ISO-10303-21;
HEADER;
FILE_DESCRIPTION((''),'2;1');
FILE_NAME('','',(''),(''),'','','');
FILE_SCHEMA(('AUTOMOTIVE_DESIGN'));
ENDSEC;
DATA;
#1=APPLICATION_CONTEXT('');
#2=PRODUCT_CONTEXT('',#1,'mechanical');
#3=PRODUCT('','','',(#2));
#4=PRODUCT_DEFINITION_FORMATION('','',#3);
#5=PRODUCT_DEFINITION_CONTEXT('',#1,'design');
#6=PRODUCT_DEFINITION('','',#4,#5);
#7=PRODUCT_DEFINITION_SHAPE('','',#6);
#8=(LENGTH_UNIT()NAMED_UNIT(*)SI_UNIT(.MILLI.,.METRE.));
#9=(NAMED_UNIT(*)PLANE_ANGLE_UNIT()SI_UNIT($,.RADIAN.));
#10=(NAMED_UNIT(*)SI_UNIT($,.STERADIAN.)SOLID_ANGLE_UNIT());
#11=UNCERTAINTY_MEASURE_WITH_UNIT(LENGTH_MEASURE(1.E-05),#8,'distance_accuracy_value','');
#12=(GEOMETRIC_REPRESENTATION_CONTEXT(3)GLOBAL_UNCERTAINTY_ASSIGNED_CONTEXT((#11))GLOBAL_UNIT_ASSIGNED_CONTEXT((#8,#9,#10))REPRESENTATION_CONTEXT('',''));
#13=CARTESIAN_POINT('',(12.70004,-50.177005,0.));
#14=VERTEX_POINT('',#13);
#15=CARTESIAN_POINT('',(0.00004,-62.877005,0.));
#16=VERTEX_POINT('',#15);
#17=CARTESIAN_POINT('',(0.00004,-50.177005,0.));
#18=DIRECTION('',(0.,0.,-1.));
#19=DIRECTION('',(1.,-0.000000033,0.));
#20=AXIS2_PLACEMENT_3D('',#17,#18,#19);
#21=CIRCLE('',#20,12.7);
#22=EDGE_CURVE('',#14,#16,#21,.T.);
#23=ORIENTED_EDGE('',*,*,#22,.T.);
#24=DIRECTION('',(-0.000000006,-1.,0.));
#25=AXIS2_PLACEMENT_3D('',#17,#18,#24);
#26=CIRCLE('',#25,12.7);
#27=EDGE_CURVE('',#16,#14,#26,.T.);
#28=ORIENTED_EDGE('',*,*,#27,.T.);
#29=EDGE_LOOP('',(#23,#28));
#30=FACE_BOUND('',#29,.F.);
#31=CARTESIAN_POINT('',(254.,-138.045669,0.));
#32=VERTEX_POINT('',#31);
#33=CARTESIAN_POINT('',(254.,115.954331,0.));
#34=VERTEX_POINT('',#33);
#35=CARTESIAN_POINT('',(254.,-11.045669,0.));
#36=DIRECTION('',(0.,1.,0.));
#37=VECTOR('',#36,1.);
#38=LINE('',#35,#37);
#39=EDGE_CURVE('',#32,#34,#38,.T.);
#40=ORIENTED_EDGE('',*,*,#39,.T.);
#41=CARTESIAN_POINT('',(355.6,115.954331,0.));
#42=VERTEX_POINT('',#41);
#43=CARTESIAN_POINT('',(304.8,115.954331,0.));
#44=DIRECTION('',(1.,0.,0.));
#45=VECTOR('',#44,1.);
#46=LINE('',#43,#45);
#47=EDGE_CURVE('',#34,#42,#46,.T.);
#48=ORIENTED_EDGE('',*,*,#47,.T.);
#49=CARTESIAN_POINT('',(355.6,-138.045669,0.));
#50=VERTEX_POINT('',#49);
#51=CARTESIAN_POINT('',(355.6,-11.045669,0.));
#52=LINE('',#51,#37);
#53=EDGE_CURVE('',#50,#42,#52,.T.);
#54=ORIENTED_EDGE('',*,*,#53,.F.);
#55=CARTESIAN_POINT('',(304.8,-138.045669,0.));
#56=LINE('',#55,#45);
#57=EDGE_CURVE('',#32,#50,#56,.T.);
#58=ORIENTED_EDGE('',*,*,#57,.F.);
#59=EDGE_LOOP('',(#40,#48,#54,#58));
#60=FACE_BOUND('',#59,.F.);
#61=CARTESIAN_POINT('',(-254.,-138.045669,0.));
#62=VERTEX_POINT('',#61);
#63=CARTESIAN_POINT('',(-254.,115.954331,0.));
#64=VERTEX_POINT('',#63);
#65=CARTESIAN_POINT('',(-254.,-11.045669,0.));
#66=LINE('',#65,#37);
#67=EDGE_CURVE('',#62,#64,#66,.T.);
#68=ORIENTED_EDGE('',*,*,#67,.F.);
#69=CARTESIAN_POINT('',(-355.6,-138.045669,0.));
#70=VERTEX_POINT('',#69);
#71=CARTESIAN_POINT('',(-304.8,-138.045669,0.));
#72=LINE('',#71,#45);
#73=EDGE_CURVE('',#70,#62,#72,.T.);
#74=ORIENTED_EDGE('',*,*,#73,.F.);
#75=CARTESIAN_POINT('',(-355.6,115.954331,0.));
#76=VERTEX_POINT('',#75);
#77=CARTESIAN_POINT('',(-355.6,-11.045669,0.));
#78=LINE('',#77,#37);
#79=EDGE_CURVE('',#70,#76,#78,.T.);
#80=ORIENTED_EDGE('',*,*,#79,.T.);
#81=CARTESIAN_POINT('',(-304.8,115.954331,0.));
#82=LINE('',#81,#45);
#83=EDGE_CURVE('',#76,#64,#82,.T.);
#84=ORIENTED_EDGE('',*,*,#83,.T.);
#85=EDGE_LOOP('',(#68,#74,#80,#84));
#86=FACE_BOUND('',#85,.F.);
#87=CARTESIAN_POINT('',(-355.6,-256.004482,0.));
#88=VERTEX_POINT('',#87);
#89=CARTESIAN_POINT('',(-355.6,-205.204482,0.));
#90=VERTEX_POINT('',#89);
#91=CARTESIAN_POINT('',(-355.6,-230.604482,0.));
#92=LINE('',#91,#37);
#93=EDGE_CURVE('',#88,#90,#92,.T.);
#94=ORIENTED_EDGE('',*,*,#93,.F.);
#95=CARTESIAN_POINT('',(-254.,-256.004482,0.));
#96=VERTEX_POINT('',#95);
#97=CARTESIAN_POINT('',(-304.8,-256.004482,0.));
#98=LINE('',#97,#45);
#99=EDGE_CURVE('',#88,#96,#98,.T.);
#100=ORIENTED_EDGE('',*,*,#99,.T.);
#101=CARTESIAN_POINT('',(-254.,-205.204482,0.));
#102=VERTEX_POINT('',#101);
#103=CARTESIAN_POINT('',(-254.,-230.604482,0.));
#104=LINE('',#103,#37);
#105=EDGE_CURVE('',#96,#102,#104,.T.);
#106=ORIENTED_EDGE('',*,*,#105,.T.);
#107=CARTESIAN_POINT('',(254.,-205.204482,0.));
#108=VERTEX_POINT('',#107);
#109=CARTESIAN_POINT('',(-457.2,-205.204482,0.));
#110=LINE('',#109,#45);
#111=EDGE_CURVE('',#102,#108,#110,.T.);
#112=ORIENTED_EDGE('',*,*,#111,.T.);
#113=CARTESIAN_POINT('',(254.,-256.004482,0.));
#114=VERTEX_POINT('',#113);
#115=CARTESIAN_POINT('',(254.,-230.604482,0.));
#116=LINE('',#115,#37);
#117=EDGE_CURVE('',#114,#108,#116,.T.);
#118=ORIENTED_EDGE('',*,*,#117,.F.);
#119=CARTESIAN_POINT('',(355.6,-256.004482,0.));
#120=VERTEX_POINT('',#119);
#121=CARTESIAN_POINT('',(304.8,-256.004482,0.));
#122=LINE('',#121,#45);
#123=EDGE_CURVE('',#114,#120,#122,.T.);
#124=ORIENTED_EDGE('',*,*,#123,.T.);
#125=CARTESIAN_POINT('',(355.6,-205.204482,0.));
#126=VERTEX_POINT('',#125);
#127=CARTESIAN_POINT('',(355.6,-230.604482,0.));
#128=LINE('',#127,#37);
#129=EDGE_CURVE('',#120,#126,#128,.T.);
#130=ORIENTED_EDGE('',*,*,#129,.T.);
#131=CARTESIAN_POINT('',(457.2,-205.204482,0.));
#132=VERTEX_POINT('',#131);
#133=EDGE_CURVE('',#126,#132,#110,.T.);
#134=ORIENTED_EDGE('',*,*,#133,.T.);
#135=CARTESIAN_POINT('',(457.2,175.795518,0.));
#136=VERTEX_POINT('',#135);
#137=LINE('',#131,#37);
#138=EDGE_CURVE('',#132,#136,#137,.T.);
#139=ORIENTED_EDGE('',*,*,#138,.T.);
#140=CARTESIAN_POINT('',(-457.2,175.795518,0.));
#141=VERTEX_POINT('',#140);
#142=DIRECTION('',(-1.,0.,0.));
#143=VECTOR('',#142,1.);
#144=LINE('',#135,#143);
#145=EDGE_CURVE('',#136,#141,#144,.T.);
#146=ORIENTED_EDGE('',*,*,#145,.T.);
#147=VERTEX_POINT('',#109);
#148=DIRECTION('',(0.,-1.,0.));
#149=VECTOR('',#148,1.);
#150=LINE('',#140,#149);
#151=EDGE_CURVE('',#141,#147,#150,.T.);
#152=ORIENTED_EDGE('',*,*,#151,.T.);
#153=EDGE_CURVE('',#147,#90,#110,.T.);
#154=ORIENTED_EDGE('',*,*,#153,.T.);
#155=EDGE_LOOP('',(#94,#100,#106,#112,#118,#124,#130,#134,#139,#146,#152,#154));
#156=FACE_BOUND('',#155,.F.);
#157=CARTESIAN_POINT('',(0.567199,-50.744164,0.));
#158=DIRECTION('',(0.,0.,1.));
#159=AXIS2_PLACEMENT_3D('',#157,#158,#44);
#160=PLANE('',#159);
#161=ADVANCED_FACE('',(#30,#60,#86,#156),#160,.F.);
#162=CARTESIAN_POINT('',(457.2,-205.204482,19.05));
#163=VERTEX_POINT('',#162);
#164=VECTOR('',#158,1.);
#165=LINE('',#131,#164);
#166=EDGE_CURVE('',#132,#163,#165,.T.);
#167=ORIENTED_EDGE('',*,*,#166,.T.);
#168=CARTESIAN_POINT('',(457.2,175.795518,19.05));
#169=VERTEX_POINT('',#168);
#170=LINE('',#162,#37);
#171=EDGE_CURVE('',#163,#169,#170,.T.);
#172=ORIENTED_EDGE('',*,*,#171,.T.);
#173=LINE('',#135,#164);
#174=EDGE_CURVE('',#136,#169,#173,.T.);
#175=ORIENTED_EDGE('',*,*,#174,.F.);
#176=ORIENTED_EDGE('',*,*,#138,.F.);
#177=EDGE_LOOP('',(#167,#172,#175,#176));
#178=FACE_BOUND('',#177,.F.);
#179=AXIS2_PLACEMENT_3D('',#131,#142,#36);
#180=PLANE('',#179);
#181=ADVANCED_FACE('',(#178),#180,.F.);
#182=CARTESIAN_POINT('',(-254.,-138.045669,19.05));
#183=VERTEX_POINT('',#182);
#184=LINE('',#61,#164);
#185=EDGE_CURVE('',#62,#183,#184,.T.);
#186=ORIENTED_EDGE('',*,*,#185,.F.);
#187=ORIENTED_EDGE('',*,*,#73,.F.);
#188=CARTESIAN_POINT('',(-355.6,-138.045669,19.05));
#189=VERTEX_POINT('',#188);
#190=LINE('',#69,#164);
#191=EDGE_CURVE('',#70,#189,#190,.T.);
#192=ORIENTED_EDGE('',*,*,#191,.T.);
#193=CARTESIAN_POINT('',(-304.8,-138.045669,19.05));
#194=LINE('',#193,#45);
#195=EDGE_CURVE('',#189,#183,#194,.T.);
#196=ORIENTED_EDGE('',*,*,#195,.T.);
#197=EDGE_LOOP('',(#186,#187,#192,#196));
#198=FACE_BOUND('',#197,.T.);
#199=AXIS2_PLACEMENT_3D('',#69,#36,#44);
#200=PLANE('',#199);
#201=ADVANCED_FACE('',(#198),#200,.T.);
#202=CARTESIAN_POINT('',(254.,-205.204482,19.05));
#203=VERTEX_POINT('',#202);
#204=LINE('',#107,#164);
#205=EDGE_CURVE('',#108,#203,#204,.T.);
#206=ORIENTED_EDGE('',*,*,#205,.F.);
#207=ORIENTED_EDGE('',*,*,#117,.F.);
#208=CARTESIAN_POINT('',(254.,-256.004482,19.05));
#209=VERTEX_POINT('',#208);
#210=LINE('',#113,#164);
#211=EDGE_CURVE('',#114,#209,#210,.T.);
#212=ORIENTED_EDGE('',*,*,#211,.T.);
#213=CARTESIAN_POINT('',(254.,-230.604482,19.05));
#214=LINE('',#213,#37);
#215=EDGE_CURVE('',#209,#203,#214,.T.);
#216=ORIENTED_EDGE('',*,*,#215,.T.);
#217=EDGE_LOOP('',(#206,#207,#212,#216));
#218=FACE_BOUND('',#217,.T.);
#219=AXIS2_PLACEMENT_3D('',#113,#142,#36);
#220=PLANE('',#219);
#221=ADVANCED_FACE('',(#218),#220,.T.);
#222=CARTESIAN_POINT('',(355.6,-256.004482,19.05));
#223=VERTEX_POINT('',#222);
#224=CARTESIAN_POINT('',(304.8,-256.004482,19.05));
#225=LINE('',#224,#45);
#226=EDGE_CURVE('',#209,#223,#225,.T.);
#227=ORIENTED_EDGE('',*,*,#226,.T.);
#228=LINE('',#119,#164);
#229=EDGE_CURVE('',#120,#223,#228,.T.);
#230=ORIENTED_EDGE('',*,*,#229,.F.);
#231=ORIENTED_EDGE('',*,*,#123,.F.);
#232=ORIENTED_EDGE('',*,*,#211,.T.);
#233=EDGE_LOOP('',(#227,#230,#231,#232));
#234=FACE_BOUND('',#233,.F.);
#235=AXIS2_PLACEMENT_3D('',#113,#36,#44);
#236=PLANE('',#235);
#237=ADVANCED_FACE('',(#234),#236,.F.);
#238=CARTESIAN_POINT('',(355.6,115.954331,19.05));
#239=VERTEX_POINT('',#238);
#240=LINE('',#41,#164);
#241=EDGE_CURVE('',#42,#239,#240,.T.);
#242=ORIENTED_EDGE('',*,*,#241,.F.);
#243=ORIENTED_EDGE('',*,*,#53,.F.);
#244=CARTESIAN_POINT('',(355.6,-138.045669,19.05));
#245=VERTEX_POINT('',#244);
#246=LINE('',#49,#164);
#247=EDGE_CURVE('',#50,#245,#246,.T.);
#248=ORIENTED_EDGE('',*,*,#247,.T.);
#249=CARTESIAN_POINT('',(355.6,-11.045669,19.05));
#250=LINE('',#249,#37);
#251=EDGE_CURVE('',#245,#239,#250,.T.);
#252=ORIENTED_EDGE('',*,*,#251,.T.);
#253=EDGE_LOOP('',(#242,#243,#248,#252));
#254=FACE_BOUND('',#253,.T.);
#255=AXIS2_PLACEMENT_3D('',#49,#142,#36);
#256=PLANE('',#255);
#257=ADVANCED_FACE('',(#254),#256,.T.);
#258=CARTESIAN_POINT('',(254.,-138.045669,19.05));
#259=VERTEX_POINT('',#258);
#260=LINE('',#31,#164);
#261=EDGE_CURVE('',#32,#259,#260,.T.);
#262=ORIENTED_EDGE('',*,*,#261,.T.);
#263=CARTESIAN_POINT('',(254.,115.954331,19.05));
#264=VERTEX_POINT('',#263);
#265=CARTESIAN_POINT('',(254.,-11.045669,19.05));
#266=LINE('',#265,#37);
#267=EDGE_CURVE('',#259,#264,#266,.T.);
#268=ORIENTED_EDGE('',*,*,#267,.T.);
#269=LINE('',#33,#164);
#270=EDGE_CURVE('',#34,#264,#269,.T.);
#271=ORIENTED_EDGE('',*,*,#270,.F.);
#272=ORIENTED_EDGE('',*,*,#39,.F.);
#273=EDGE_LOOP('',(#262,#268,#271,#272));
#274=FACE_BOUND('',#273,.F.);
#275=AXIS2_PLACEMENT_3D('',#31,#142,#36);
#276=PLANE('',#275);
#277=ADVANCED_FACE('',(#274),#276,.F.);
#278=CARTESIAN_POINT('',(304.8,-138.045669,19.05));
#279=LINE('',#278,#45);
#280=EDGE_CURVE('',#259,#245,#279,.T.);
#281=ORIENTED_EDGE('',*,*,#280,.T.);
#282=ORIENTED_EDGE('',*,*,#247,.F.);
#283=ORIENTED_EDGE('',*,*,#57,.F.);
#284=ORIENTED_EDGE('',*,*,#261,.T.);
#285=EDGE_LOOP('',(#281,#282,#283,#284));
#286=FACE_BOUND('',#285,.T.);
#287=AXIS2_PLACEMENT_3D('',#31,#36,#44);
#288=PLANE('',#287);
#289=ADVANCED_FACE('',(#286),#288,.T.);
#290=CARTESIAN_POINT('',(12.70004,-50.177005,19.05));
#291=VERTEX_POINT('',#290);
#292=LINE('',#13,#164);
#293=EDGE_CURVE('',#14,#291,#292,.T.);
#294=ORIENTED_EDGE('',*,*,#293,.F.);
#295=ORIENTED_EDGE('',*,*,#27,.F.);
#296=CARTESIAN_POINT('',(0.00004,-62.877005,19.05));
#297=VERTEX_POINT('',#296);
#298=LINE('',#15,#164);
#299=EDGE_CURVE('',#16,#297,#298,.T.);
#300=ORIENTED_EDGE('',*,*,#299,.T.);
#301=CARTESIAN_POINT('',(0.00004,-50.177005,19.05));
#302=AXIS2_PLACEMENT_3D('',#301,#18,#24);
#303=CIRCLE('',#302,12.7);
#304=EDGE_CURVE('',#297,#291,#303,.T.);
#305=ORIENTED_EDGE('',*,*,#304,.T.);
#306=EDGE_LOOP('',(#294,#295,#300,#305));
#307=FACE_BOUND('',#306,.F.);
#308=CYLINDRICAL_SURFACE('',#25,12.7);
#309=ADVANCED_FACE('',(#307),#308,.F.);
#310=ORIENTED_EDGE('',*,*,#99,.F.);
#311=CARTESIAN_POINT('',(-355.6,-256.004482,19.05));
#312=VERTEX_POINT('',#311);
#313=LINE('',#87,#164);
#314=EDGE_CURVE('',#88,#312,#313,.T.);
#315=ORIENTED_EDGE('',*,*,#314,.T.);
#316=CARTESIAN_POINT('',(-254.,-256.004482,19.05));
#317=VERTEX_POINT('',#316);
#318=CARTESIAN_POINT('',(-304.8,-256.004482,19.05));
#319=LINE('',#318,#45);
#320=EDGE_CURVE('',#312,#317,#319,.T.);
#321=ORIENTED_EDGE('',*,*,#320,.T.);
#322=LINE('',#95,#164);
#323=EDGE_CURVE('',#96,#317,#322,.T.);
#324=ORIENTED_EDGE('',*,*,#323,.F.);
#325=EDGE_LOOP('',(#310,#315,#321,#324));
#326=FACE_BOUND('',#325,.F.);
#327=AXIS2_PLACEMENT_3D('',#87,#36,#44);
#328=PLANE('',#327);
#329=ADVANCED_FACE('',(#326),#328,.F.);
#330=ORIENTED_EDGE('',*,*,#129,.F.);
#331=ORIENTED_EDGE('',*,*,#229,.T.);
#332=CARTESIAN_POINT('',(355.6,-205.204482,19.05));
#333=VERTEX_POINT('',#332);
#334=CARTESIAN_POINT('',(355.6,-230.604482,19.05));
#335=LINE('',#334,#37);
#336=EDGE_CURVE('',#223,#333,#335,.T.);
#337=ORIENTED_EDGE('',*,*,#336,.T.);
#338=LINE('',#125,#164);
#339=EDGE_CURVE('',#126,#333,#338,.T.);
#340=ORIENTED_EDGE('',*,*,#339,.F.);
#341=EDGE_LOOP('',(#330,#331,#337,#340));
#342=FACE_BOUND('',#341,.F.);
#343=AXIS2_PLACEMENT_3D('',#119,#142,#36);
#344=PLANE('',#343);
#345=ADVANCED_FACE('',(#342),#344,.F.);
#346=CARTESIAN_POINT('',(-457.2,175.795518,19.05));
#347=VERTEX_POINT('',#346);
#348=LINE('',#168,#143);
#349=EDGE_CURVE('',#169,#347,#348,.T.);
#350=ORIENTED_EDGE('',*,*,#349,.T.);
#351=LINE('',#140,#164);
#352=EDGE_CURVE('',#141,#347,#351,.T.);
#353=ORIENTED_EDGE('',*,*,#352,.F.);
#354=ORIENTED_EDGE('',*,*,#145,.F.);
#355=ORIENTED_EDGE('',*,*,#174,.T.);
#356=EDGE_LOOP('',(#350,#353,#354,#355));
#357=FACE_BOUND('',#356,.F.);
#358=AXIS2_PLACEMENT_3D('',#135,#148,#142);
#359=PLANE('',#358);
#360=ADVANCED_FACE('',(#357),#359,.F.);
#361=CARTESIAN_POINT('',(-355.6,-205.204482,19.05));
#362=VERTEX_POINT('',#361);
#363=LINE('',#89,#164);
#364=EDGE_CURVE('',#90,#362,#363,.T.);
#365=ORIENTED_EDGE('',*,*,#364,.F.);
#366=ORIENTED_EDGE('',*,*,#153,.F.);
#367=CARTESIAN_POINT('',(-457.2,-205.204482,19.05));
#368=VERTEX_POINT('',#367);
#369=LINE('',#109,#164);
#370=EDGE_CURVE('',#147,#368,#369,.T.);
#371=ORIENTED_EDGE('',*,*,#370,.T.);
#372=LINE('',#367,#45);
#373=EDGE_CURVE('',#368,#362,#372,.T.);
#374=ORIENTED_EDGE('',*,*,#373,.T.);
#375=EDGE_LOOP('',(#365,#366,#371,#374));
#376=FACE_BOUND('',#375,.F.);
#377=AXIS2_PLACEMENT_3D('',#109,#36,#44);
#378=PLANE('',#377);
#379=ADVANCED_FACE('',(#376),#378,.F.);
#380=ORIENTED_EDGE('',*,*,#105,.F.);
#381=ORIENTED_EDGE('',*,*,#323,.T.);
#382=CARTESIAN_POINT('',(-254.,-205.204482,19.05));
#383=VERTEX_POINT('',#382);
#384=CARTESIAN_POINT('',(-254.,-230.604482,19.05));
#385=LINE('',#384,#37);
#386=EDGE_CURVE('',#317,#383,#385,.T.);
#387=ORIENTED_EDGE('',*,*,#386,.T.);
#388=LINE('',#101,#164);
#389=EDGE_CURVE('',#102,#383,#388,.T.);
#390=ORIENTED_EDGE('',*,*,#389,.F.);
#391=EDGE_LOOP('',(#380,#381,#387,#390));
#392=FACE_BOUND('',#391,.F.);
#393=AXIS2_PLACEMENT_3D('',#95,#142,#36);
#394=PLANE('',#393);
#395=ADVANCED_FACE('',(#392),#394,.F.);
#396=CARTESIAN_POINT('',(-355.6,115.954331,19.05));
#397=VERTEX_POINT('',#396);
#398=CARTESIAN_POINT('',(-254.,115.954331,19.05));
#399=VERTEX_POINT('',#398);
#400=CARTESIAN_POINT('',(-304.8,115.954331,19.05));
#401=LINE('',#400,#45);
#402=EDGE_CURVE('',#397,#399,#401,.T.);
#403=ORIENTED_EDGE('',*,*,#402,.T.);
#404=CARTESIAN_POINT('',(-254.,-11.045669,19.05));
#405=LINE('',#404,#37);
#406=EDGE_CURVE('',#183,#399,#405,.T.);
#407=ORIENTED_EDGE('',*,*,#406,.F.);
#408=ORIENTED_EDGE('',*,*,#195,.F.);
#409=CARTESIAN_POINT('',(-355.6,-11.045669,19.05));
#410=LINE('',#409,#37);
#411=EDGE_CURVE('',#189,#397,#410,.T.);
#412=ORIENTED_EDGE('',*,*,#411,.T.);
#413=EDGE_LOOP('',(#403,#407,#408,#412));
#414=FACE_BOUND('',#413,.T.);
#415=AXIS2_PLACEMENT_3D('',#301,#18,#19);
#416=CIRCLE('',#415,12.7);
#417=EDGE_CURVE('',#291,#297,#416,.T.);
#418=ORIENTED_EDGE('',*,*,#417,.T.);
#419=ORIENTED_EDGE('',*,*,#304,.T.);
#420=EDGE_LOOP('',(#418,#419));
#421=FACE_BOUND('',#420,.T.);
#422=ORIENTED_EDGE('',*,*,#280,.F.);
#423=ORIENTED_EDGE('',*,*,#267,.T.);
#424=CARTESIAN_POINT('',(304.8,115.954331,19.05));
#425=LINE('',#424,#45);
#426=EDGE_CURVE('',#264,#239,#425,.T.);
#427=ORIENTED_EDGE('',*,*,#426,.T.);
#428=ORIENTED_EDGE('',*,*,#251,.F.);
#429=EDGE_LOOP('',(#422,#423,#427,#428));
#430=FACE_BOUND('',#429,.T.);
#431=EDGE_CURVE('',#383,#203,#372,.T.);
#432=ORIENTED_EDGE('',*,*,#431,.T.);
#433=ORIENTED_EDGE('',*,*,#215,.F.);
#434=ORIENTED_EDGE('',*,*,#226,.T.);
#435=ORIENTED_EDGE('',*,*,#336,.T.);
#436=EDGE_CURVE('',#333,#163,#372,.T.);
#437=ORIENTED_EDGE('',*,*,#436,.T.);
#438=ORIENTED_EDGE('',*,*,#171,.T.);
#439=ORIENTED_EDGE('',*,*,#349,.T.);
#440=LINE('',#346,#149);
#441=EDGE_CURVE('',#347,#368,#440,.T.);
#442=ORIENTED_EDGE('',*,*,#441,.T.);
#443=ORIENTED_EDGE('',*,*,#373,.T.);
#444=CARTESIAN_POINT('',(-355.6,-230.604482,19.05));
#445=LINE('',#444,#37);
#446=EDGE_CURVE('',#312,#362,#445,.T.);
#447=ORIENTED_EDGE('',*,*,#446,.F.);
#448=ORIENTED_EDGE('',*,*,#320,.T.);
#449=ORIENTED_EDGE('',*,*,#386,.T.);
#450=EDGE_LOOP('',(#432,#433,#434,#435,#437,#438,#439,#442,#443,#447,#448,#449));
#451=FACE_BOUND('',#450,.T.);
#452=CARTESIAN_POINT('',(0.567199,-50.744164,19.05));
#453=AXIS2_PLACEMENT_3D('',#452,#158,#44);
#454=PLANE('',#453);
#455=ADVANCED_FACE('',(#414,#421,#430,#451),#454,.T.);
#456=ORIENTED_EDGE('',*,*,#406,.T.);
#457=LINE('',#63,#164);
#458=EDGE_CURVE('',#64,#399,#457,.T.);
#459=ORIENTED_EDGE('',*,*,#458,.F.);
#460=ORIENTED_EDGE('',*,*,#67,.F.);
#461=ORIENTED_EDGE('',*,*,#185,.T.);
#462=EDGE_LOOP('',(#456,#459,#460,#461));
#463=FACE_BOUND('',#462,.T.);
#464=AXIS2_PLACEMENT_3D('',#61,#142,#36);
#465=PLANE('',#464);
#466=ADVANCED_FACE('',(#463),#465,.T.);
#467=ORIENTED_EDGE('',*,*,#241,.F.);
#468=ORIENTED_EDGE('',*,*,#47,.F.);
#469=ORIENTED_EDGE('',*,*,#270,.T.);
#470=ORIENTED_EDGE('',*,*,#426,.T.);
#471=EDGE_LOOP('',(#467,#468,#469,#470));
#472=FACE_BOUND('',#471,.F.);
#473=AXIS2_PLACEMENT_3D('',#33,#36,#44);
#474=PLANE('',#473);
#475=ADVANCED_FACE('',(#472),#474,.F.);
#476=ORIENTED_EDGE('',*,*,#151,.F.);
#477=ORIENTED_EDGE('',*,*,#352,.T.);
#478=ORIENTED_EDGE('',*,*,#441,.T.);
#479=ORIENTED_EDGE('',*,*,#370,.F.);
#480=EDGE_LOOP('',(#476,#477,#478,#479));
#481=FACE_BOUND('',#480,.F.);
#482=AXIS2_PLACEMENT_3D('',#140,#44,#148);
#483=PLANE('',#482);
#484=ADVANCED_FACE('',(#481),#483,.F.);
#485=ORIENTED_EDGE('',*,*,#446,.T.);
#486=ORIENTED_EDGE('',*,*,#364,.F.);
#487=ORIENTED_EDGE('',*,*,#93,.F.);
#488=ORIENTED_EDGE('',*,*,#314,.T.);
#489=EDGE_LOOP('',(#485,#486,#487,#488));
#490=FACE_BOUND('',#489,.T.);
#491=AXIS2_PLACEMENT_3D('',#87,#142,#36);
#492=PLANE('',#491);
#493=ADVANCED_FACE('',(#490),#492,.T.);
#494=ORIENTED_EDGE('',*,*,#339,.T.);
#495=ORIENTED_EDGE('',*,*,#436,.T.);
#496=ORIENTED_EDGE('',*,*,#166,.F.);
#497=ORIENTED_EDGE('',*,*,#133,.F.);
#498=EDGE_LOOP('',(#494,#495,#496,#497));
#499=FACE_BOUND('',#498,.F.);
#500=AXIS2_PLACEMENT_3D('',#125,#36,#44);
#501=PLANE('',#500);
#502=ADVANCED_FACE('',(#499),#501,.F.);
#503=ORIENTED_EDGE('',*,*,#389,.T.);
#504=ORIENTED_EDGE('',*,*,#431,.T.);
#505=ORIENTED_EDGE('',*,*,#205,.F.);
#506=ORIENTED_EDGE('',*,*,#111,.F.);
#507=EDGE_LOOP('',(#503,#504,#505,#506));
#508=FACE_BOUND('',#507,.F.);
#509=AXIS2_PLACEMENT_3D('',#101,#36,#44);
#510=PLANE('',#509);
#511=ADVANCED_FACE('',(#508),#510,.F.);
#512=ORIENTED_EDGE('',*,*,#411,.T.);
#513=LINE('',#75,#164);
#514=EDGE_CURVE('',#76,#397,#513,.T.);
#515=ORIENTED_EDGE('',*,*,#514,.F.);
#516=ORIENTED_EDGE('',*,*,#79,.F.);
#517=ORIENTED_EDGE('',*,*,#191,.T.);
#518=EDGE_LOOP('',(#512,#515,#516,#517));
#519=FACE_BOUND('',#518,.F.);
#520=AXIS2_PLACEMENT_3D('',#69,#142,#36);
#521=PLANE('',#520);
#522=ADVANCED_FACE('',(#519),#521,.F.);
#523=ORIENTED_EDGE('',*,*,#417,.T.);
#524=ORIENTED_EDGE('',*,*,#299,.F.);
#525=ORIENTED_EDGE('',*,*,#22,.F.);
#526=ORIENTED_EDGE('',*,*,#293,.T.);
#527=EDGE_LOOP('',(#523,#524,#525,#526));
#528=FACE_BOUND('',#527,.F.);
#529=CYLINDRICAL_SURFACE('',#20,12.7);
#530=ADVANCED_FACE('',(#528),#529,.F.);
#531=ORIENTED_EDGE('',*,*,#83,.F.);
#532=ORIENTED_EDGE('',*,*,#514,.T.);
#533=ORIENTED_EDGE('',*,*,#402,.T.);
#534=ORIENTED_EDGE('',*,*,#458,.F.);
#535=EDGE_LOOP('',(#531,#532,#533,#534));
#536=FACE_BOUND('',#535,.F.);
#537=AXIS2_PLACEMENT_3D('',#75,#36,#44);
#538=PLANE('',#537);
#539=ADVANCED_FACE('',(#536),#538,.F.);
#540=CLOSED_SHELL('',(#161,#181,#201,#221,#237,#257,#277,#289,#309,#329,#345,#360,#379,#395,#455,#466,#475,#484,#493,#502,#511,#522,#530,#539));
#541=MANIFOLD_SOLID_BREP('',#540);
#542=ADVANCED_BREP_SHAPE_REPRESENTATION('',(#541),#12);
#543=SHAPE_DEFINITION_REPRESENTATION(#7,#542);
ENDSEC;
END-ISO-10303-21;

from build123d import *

# Parameters (mm, degrees)
F0_W     = 101.6
F0_H     = 254
F0_H_2   = 50.8
F1_DEPTH = 19.05


with BuildPart() as f1:
    # F0 (on Top) → F1 (new body)
    with BuildSketch(Plane.XY):
        with BuildLine():
            ThreePointArc((12.70004, -50.177005), (-8.980216, -41.196749), (4e-05, -62.877005))
            ThreePointArc((4e-05, -62.877005), (8.980296, -59.157261), (12.70004, -50.177005))
        make_face()
        Polygon((457.2, 175.795518), (-457.2, 175.795518), (-457.2, -205.204482), (-355.6, -205.204482), (-254, -205.204482), (4e-05, -205.204482), (254, -205.204482), (355.6, -205.204482), (457.2, -205.204482), align=None)
        with BuildLine():
            ThreePointArc((12.70004, -50.177005), (8.980296, -59.157261), (4e-05, -62.877005))
            ThreePointArc((4e-05, -62.877005), (-8.980216, -41.196749), (12.70004, -50.177005))
        make_face(mode=Mode.SUBTRACT)
        with Locations((-304.8, -11.045669)):
            Rectangle(F0_W, F0_H, mode=Mode.SUBTRACT)
        with Locations((304.8, -11.045669)):
            Rectangle(F0_W, F0_H, mode=Mode.SUBTRACT)
        with Locations((-304.8, -230.604482)):
            Rectangle(F0_W, F0_H_2)
        with Locations((304.8, -230.604482)):
            Rectangle(F0_W, F0_H_2)
    extrude(amount=F1_DEPTH)


solid = f1.part
